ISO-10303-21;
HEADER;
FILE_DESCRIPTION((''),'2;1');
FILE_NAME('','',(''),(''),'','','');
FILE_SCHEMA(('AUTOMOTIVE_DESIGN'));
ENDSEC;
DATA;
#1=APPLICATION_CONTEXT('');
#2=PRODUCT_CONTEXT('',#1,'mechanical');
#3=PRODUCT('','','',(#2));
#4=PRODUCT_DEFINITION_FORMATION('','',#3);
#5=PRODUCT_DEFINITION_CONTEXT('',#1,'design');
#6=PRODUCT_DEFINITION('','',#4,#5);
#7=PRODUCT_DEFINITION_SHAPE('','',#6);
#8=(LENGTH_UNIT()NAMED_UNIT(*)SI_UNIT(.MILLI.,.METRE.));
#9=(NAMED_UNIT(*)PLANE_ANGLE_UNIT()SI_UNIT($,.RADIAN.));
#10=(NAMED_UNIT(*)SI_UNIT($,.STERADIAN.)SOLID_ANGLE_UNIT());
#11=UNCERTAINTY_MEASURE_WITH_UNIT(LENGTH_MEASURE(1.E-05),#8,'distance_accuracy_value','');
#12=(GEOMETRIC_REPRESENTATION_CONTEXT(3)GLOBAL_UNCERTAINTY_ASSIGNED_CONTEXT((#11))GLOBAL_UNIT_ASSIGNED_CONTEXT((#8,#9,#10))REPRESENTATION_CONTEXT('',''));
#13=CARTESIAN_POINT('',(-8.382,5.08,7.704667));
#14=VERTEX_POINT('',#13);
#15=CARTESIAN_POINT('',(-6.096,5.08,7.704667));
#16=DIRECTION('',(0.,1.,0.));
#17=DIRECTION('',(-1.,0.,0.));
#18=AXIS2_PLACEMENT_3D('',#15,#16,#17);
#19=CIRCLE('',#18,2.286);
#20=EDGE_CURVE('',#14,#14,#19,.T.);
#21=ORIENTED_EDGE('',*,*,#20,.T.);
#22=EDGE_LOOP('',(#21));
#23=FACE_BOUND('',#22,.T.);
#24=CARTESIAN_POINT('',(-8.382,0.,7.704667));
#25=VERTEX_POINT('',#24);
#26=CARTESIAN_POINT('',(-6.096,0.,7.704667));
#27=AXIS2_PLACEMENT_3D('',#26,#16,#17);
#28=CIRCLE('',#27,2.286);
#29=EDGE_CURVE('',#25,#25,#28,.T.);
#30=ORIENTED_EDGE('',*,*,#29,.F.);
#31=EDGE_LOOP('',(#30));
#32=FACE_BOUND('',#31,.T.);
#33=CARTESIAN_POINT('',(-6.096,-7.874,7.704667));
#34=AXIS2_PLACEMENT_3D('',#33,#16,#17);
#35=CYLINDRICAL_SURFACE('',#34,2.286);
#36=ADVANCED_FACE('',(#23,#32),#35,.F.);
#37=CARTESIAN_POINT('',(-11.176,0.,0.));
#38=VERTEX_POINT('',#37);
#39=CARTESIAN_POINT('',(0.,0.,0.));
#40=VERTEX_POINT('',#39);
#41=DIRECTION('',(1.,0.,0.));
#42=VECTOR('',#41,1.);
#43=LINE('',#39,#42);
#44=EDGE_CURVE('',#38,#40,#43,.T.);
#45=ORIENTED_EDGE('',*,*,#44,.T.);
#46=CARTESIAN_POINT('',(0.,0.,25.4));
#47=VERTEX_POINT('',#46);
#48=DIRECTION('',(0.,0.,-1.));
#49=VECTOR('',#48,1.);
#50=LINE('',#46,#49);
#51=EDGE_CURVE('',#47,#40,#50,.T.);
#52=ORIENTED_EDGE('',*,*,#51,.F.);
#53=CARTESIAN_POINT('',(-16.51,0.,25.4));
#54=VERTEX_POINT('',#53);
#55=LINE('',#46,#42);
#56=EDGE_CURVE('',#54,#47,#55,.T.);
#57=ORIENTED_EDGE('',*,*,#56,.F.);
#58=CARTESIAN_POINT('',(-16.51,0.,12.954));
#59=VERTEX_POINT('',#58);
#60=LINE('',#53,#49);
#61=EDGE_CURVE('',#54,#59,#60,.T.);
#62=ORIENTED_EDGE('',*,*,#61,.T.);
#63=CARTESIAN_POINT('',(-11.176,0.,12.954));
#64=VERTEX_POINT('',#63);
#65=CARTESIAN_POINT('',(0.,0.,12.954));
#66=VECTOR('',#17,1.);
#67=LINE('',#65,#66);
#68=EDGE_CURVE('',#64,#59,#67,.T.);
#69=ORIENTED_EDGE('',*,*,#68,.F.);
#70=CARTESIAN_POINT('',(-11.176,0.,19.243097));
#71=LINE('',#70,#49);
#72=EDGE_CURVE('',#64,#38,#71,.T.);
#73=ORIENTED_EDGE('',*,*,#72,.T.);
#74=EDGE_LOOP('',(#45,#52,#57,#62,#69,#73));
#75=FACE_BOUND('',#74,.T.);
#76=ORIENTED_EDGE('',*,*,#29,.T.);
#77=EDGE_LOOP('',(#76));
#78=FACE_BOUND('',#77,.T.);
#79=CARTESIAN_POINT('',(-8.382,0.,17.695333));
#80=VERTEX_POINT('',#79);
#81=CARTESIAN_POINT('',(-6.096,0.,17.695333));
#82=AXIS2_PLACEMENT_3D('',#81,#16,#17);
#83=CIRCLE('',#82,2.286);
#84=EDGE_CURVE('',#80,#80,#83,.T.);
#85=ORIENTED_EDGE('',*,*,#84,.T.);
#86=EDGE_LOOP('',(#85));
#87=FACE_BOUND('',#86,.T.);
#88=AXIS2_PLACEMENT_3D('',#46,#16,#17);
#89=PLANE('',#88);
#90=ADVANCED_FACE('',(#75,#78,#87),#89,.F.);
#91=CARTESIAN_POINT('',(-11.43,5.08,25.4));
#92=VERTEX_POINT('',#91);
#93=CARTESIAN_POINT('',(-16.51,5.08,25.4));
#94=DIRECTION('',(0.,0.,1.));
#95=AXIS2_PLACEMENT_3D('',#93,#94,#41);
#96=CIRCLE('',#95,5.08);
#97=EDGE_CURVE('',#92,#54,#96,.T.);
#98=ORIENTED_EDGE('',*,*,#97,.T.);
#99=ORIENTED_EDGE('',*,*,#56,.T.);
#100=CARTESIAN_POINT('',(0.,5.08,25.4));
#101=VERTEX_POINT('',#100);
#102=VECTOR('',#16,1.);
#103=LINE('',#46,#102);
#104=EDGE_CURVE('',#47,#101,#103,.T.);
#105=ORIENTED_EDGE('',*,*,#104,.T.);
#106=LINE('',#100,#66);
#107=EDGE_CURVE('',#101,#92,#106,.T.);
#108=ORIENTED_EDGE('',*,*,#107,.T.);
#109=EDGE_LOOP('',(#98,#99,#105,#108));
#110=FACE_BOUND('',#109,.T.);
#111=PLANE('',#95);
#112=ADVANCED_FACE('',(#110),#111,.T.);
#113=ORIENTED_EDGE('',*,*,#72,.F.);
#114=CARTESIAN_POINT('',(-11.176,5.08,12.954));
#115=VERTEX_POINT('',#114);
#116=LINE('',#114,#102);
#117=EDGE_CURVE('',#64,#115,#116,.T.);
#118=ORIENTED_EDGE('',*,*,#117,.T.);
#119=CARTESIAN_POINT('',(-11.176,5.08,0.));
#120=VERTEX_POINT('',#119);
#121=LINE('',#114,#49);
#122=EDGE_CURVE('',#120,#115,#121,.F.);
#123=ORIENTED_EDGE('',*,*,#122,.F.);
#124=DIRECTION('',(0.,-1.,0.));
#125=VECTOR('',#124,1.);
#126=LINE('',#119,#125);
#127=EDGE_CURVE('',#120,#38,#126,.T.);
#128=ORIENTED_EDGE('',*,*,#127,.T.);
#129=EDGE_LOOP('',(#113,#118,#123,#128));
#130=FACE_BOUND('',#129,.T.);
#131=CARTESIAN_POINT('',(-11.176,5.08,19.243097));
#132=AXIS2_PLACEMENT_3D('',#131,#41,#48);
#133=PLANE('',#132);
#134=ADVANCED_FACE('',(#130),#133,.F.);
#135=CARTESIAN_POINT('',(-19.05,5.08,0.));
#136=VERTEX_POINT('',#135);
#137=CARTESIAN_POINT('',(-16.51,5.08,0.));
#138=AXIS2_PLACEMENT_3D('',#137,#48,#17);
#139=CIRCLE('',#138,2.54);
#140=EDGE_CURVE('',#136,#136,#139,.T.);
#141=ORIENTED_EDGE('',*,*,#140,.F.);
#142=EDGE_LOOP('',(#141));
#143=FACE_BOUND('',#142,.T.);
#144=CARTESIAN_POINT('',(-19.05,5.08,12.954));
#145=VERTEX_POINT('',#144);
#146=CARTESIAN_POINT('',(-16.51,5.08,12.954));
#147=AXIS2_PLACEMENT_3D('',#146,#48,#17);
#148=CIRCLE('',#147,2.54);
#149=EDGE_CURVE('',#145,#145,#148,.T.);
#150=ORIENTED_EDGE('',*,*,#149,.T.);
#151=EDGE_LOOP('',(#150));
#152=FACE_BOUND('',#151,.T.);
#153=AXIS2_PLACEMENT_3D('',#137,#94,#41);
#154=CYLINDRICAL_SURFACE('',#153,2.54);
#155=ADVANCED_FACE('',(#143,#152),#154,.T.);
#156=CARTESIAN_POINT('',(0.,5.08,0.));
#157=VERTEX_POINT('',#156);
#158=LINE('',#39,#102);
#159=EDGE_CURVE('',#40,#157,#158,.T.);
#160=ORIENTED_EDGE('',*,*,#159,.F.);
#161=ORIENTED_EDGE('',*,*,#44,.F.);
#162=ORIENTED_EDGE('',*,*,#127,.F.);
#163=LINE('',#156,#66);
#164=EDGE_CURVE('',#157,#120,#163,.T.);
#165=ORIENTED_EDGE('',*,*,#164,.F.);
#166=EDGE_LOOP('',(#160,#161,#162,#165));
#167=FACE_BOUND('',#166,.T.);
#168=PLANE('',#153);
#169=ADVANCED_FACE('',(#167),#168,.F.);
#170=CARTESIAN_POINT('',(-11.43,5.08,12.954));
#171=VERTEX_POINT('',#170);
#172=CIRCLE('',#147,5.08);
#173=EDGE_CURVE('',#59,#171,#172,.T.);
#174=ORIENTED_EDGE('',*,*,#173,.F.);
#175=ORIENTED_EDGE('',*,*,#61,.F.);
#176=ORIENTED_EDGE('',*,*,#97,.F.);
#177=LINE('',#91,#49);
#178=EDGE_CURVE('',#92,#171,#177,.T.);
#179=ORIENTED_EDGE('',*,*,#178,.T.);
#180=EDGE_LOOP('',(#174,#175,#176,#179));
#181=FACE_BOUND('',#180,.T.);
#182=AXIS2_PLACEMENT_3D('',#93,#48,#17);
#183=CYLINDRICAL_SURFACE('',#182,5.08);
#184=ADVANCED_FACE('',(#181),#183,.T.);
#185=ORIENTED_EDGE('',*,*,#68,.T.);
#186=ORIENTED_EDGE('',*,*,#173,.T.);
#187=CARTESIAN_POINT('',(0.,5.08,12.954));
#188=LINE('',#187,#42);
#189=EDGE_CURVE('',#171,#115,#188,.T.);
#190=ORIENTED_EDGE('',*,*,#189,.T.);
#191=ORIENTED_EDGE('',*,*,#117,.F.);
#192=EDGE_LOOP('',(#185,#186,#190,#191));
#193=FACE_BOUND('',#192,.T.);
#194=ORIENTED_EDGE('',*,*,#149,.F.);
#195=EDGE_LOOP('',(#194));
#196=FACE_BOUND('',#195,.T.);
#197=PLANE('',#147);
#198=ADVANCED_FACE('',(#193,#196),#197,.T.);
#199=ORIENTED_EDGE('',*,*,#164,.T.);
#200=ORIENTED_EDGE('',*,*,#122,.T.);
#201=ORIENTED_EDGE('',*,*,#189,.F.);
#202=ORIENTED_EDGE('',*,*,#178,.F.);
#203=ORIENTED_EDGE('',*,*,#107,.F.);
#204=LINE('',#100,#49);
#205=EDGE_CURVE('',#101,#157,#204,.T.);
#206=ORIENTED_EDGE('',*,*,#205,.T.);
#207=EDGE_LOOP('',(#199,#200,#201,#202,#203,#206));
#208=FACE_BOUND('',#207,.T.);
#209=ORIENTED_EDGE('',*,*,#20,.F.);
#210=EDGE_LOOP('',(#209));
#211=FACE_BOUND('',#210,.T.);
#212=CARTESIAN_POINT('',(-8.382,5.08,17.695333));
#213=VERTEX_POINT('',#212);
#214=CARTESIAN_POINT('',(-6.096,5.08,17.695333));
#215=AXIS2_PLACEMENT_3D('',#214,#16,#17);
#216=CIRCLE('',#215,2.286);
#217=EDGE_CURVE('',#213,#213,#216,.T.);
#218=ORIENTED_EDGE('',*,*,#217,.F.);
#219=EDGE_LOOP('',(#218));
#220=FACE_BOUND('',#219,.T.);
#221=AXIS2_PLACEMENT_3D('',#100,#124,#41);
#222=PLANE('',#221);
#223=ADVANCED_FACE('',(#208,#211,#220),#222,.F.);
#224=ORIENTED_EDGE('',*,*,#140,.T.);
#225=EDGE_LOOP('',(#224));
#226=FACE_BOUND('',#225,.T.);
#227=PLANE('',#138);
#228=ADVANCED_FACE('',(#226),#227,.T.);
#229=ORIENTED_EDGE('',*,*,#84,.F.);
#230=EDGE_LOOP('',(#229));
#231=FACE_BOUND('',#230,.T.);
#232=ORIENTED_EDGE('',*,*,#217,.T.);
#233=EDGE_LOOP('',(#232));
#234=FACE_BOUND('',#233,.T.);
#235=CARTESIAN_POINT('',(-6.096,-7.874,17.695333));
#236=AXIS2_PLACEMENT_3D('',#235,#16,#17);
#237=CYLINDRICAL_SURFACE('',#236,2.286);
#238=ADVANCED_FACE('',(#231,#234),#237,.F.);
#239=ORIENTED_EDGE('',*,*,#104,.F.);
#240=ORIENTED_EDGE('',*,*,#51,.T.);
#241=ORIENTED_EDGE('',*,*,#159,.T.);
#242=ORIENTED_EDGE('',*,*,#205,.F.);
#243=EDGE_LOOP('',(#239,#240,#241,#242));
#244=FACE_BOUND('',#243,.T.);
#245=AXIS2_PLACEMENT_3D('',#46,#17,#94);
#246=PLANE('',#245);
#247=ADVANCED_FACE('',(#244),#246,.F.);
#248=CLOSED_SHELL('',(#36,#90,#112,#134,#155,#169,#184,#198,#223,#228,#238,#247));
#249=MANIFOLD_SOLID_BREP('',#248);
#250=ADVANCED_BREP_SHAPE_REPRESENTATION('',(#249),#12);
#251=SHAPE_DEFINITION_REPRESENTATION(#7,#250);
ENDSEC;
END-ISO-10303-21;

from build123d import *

# Parameters (mm, degrees)
BOSS_EXTRUDE1_DEPTH = 25.4
SKETCH5_R           = 2.286
CUT_EXTRUDE3_DEPTH  = 12.954
SKETCH8_R           = 5.334
CUT_EXTRUDE5_DEPTH  = 12.954
SKETCH9_R           = 2.54
BOSS_EXTRUDE2_DEPTH = 12.954
CUT_EXTRUDE7_DEPTH  = 12.954


with BuildPart() as part:
    # Sketch2 → Boss-Extrude1 (new body)
    with BuildSketch(Plane.XY):
        with BuildLine():
            Line((0, 0), (-16.51, 0))
            ThreePointArc((-16.51, 0), (-20.102102448, 8.672102448), (-11.43, 5.08))
            Line((-11.43, 5.08), (0, 5.08))
            Line((0, 5.08), (0, 0))
        make_face()
    extrude(amount=BOSS_EXTRUDE1_DEPTH)

    # Sketch5 → Cut-Extrude3 (cut)
    with BuildSketch(Plane(origin=(0, 5.08, 0), x_dir=(1, 0, 0), z_dir=(0, 1, 0))):
        with Locations((-6.096, -17.695333333)):
            Circle(SKETCH5_R)
        with Locations((-6.096, -7.704666667)):
            Circle(SKETCH5_R)
    extrude(amount=-CUT_EXTRUDE3_DEPTH, mode=Mode.SUBTRACT)

    # Sketch8 → Cut-Extrude5 (cut)
    with BuildSketch(Plane(origin=(0, 0, 0), x_dir=(-1, 0, 0), z_dir=(0, 0, -1))):
        with Locations((16.51, 5.08)):
            Circle(SKETCH8_R)
    extrude(amount=-CUT_EXTRUDE5_DEPTH, mode=Mode.SUBTRACT)

    # Sketch9 → Boss-Extrude2 (add)
    with BuildSketch(Plane(origin=(0, 0, 12.954), x_dir=(-1, 0, 0), z_dir=(0, 0, -1))):
        with Locations((16.51, 5.08)):
            Circle(SKETCH9_R)
    extrude(amount=BOSS_EXTRUDE2_DEPTH)

    # Sketch10 → Cut-Extrude7 (cut)
    with BuildSketch(Plane(origin=(0, 0, 0), x_dir=(-1, 0, 0), z_dir=(0, 0, -1))):
        with BuildLine():
            Line((11.176, 5.08), (11.176, 0))
            Line((11.176, 0), (14.883606444, 0))
            ThreePointArc((14.883606444, 0), (12.201477096, 1.935451322), (11.176, 5.08))
        make_face()
    extrude(amount=-CUT_EXTRUDE7_DEPTH, mode=Mode.SUBTRACT)


solid = part.part
